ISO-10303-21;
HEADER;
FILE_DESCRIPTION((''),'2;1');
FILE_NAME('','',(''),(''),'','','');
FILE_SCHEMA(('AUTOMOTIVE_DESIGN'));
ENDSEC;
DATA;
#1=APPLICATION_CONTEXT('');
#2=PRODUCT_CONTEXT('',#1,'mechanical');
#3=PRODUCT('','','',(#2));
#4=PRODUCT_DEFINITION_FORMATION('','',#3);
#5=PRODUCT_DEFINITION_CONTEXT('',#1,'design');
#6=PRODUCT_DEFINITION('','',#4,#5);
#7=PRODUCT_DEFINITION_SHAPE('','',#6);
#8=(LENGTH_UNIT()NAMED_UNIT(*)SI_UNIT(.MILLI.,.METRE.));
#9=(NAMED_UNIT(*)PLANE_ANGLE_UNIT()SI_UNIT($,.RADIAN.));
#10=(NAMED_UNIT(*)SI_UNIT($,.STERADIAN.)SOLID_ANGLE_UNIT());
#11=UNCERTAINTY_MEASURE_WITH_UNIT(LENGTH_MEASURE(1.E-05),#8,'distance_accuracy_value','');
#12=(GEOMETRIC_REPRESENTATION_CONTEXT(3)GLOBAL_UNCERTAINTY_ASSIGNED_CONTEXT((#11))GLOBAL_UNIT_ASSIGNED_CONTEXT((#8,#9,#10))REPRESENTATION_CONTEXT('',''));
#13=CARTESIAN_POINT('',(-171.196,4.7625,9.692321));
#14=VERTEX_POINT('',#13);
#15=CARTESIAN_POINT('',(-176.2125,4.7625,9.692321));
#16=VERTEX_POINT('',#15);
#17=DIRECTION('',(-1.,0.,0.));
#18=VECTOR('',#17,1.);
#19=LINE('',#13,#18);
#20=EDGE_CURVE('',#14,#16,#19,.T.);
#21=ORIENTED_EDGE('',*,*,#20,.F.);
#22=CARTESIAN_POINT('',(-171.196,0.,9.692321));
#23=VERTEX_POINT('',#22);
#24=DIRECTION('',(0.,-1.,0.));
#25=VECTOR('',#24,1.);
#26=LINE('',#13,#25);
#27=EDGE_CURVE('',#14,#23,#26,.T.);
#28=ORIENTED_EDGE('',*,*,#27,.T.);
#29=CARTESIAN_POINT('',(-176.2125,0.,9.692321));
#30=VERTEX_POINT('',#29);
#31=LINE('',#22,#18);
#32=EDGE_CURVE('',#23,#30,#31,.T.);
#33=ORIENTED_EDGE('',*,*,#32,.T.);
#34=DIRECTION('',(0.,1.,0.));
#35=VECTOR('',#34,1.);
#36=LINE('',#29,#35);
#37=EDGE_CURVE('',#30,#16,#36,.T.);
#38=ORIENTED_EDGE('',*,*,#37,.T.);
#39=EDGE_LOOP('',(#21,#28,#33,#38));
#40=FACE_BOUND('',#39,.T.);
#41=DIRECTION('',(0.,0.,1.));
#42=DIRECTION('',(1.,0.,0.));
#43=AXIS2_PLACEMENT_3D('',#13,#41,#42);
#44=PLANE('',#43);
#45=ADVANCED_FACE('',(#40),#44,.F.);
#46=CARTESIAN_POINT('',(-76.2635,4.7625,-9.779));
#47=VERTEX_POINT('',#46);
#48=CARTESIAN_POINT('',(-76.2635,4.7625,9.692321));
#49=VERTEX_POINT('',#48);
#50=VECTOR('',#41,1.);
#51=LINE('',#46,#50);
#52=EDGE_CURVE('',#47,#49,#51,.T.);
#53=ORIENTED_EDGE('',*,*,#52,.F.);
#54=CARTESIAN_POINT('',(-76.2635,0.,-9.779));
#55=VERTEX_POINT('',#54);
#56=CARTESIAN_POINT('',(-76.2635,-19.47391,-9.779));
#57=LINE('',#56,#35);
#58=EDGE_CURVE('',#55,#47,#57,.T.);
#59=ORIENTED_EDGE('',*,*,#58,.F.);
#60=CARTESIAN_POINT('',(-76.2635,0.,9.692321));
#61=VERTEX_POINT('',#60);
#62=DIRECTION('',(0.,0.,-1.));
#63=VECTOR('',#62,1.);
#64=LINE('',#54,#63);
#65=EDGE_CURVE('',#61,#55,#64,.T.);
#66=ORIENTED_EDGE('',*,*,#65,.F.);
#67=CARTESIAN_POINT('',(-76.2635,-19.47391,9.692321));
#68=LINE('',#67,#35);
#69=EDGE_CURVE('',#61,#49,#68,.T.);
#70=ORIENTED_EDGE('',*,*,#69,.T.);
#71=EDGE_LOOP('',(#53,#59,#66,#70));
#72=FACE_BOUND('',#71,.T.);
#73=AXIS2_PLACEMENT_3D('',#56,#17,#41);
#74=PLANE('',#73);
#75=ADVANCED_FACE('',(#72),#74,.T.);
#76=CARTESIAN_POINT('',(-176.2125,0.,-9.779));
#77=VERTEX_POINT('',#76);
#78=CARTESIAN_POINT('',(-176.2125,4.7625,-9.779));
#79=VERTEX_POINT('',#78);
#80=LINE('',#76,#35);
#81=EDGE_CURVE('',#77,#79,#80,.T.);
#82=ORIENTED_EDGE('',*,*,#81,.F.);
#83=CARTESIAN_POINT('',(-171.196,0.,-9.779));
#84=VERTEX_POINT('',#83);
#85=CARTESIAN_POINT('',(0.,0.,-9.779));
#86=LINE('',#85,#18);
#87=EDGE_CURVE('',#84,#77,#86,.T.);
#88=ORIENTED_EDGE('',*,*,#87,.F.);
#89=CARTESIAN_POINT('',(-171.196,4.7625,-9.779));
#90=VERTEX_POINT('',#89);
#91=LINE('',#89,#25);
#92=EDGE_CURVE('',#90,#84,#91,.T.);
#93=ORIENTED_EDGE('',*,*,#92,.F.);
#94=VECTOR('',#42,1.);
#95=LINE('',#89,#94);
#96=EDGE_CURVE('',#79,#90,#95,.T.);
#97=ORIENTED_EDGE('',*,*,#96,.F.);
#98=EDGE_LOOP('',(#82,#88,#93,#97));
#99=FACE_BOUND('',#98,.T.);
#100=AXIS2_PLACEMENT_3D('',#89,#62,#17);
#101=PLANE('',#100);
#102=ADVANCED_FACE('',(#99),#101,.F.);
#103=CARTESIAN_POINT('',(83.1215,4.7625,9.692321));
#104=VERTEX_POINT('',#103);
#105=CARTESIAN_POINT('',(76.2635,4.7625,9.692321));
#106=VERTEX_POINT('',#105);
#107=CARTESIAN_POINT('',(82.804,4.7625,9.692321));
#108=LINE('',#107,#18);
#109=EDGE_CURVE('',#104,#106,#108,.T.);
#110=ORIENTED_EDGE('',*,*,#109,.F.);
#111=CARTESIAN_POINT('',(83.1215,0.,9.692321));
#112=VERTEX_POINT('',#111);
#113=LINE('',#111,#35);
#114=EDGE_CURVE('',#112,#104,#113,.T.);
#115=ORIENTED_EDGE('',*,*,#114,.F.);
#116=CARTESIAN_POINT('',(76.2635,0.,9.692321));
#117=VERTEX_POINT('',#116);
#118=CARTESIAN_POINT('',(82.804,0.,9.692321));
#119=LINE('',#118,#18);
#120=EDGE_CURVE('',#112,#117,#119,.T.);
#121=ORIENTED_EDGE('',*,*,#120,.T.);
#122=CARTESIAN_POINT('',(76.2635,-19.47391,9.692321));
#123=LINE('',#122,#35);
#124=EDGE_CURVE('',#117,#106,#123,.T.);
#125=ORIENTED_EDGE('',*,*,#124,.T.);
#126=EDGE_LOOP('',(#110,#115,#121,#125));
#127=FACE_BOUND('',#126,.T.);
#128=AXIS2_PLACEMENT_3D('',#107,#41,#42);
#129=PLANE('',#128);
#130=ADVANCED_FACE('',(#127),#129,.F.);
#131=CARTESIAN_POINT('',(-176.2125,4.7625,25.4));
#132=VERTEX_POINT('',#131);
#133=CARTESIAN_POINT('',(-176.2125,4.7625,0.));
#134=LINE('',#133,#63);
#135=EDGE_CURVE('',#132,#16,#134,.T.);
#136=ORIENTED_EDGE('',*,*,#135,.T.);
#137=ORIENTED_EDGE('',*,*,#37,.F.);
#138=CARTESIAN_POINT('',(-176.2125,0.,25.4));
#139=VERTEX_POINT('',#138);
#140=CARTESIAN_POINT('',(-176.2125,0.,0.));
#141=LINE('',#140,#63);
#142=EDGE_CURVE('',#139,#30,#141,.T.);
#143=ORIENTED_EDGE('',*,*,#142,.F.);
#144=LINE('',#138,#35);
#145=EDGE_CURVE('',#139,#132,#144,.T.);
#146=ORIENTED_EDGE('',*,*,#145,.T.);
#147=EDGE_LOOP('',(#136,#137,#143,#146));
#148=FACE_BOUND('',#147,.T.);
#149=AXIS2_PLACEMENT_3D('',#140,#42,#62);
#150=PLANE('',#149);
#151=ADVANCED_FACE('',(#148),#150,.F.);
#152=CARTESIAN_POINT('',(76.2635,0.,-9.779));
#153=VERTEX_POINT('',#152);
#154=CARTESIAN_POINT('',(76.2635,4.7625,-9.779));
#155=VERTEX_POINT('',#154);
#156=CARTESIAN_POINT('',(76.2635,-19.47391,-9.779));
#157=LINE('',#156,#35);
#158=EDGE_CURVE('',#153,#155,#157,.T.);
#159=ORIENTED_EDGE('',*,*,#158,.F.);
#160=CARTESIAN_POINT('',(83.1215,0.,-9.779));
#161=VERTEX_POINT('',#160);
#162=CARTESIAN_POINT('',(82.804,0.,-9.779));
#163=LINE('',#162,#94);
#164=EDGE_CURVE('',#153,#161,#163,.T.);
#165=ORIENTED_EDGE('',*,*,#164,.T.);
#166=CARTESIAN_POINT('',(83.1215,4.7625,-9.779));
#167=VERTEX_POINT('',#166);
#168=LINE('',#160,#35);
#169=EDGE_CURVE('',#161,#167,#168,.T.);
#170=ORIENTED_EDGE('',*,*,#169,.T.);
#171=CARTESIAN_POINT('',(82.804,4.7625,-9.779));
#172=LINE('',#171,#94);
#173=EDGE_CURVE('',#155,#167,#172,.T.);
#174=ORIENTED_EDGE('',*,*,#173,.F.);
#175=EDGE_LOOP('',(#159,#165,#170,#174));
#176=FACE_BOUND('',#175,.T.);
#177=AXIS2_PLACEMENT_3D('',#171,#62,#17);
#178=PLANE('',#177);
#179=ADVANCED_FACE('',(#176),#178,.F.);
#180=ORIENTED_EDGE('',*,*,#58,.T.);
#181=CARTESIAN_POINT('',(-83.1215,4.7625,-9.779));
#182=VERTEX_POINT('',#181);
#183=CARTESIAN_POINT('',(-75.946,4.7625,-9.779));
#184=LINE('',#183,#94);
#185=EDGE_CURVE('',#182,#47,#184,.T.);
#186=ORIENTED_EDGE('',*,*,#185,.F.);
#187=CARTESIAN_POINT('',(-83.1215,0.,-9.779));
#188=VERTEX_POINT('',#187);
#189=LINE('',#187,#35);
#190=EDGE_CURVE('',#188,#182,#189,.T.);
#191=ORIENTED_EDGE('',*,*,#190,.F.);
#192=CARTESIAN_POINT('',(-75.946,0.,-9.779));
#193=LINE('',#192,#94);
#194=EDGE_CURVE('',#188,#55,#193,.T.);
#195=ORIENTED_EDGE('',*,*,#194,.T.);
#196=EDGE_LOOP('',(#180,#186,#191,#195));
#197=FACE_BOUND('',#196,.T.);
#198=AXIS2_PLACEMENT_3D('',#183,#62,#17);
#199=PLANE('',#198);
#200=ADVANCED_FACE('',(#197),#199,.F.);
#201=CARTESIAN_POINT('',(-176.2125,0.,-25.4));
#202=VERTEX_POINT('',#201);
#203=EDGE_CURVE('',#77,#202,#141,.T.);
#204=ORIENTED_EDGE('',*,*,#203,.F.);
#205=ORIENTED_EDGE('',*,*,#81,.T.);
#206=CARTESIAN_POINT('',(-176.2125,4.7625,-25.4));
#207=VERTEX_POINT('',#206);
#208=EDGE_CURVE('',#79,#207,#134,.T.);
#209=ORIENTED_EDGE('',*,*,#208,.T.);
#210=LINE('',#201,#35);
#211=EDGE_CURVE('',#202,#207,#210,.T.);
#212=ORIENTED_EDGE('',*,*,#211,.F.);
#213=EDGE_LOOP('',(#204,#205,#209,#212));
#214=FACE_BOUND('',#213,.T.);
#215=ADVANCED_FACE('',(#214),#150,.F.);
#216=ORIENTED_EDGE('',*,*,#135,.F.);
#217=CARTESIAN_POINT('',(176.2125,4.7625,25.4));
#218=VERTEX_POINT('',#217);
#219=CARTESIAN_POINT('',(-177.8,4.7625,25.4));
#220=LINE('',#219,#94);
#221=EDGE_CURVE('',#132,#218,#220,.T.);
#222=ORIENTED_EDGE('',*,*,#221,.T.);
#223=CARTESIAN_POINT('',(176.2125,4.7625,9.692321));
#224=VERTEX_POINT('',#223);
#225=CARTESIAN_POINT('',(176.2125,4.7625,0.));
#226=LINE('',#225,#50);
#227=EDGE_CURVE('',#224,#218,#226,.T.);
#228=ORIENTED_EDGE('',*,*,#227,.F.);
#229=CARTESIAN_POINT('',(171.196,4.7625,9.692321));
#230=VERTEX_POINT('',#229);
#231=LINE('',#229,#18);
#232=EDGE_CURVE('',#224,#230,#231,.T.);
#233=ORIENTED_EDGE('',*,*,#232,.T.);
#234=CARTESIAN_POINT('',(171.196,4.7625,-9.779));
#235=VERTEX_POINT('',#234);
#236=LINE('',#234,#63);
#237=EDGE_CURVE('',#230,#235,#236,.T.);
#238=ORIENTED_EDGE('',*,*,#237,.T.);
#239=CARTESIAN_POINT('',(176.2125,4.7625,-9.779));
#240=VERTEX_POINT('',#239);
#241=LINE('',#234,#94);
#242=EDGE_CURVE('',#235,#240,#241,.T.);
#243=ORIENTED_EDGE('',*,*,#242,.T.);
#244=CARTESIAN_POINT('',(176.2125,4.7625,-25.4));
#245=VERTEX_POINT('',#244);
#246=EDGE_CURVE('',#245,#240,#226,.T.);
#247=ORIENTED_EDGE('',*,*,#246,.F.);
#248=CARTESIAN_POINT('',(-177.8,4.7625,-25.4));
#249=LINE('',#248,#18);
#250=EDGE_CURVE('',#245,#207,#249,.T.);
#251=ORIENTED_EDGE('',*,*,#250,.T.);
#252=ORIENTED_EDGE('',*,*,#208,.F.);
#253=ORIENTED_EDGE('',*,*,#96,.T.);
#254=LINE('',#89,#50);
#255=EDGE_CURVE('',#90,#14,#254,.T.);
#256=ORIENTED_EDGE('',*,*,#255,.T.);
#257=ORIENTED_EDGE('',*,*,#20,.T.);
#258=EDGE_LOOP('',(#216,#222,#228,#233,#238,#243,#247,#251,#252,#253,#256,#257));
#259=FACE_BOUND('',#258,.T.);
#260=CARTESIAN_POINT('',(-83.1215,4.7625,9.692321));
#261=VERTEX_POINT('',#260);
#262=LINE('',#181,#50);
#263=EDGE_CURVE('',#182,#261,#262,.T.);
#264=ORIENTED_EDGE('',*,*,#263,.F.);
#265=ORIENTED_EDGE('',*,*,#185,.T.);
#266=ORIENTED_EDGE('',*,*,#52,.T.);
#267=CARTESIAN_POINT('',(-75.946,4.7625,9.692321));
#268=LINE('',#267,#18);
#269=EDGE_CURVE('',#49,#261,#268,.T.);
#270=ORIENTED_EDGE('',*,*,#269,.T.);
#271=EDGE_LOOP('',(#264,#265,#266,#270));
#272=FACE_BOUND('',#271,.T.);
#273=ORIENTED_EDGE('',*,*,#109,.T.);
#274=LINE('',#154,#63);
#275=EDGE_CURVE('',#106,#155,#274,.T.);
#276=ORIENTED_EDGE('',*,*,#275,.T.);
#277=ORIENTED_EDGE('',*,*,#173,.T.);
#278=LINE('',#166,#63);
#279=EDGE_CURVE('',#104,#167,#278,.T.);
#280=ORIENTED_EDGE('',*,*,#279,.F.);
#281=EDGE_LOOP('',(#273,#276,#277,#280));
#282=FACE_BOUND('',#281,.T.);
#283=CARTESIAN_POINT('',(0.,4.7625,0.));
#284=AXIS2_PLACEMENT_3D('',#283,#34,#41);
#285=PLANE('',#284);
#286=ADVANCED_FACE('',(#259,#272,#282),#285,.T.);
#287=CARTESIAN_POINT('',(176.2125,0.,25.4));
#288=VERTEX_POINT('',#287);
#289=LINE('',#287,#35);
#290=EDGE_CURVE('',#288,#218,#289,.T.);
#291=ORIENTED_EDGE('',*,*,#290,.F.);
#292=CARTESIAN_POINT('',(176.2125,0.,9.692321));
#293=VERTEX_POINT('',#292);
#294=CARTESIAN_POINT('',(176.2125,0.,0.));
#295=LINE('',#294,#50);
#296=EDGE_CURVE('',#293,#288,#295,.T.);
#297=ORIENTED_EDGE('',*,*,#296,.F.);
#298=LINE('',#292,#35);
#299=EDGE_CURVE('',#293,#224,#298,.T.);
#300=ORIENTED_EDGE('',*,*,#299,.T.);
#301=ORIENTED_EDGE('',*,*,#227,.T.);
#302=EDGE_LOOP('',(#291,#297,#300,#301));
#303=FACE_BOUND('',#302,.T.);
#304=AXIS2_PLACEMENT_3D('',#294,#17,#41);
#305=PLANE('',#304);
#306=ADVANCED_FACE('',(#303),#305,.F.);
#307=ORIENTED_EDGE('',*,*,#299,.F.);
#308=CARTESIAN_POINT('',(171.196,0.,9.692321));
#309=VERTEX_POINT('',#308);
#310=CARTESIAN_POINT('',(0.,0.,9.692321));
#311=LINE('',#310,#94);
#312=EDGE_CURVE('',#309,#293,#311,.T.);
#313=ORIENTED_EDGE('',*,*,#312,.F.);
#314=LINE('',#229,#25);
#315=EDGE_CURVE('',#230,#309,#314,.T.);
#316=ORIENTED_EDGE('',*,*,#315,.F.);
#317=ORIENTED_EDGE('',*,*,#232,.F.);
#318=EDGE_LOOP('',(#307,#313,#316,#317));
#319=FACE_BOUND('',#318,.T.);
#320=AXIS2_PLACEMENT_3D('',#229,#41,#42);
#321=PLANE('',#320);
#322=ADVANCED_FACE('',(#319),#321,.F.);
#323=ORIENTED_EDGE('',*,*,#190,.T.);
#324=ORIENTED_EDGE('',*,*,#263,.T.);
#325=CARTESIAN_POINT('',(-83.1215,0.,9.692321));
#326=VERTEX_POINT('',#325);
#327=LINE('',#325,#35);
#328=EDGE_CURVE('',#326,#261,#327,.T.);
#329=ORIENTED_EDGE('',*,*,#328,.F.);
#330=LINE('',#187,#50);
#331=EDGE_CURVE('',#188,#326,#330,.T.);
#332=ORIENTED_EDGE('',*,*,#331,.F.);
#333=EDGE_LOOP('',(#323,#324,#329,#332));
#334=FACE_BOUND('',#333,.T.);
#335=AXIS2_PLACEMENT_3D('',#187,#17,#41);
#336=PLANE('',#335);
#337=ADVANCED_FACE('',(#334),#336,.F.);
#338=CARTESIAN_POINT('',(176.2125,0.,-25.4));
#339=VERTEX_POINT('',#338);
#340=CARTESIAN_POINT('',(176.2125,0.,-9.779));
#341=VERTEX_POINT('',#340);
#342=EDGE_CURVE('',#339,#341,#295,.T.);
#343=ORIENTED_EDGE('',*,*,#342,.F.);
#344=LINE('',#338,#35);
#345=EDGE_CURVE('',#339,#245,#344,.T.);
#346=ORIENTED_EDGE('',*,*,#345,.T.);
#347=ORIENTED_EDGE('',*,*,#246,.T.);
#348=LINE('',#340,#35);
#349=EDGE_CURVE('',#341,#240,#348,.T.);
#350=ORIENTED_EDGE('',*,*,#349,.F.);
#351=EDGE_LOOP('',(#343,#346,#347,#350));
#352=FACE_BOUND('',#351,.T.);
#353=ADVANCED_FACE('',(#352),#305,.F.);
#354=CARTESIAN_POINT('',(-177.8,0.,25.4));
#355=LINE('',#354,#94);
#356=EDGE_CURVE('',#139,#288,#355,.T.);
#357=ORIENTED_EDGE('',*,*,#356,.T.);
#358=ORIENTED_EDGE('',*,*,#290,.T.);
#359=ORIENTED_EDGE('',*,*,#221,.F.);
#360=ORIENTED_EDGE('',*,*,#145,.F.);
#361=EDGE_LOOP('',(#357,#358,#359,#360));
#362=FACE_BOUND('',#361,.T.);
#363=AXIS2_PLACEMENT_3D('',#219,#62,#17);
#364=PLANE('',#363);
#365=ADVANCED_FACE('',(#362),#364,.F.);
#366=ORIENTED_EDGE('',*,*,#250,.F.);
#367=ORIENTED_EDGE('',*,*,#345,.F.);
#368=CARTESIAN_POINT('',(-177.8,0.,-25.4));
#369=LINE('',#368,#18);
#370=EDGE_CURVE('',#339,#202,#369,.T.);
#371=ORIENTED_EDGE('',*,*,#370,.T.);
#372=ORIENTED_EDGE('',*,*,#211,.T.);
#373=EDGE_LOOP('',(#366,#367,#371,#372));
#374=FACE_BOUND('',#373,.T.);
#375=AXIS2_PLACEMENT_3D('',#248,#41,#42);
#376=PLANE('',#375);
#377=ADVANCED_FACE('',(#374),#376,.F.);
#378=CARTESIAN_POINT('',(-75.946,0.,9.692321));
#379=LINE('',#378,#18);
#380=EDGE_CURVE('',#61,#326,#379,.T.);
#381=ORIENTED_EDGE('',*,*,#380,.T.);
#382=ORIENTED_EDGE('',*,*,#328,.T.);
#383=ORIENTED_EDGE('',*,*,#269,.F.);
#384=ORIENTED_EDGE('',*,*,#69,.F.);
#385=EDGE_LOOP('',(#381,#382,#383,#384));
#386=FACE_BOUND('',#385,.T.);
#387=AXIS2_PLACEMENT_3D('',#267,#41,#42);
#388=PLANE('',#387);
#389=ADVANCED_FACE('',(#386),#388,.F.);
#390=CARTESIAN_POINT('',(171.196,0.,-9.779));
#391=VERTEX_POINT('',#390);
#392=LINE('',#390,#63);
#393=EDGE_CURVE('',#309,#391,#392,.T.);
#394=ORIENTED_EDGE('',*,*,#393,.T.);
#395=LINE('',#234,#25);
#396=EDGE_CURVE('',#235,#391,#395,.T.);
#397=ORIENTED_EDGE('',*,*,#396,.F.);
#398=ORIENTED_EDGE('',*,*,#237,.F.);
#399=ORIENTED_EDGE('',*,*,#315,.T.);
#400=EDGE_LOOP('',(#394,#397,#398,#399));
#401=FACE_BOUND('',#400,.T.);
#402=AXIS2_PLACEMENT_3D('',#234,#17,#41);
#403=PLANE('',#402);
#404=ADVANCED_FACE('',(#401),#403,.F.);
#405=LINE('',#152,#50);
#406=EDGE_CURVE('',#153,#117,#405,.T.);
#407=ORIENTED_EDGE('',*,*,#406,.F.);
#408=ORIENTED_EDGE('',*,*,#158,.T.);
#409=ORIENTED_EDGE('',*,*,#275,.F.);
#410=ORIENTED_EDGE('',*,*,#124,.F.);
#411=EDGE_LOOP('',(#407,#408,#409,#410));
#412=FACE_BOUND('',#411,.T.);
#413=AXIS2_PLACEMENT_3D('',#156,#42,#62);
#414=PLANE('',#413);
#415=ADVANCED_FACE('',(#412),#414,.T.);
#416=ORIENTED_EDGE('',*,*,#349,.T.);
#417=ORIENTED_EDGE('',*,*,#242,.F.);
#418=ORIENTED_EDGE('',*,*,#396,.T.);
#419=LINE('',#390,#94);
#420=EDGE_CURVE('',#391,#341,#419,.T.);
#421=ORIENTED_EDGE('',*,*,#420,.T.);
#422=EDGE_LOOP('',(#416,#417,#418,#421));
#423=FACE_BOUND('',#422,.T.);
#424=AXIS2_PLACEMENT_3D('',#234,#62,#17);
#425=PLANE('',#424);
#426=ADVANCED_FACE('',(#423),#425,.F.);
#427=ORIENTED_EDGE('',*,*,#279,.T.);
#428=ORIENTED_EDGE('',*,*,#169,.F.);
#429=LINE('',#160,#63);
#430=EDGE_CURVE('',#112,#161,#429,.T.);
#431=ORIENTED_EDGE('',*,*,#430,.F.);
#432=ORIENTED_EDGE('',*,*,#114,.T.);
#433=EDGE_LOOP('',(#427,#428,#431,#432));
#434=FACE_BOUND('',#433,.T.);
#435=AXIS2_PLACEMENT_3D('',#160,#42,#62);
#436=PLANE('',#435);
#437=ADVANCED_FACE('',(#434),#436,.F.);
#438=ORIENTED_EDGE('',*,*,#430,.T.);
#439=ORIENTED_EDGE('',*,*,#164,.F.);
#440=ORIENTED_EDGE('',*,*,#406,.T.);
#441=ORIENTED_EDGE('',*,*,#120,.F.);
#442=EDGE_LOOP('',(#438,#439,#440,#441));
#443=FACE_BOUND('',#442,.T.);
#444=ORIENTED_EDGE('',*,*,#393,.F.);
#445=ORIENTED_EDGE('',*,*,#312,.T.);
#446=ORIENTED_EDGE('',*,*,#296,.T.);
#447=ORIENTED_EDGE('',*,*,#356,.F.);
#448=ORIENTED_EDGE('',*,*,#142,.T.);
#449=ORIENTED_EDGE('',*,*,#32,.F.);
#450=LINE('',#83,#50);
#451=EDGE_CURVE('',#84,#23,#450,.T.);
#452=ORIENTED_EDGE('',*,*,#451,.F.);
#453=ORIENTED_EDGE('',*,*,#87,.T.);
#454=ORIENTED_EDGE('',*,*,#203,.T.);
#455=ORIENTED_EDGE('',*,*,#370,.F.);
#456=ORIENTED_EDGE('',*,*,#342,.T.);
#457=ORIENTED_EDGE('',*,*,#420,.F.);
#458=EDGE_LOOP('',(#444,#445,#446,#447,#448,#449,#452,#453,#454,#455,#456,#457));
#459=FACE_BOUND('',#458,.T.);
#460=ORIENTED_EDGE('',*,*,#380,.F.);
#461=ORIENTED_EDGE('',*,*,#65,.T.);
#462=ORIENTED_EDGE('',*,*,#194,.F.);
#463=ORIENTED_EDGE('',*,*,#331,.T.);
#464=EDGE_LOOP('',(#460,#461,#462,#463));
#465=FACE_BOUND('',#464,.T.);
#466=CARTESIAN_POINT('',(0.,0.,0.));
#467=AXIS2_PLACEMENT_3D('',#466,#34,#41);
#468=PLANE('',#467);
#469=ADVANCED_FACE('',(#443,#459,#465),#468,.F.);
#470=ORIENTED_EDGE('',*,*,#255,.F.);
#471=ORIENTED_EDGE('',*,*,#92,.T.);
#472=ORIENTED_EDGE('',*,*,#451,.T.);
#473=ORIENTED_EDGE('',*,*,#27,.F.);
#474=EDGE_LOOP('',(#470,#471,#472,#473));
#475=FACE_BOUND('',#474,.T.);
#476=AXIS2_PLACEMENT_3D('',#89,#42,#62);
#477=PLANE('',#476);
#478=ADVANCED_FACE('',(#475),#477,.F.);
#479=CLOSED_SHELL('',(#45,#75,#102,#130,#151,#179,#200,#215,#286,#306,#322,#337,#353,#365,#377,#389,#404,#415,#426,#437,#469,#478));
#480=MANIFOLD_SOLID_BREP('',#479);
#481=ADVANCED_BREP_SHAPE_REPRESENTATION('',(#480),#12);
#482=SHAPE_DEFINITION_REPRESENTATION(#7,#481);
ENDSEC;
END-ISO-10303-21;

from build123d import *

# Parameters (mm, degrees)
SKETCH1_W           = 355.6
SKETCH1_H           = 50.8
BOSS_EXTRUDE1_DEPTH = 4.7625
SKETCH2_W           = 6.858
SKETCH2_H           = 19.471321321
SKETCH2_W_2         = 6.35
SKETCH2_H_2         = 18.963321321
CUT_EXTRUDE1_DEPTH  = 180.668253752
SKETCH3_W           = 1.5875
SKETCH3_H           = 15.707678679
SKETCH3_H_2         = 15.621
CUT_EXTRUDE2_DEPTH  = 180.668253752
SKETCH4_W           = 0.3175
SKETCH4_H           = 19.471321321
BOSS_EXTRUDE2_DEPTH = 4.7625
SKETCH5_W           = 0.3175
SKETCH5_H           = 19.471321321
CUT_EXTRUDE4_DEPTH  = 179.097407512


with BuildPart() as part:
    # Sketch1 → Boss-Extrude1 (new body)
    with BuildSketch(Plane(origin=(0, 0, 0), x_dir=(1, 0, 0), z_dir=(0, 1, 0))):
        Rectangle(SKETCH1_W, SKETCH1_H)
    extrude(amount=BOSS_EXTRUDE1_DEPTH)

    # Sketch2 → Cut-Extrude1 (cut, through all)
    with BuildSketch(Plane(origin=(0, 0, 0), x_dir=(-1, 0, 0), z_dir=(0, -1, 0))):
        with Locations((174.625, 0.043339339)):
            Rectangle(SKETCH2_W, SKETCH2_H)
        with Locations((174.625, 0.04333934)):
            Rectangle(SKETCH2_W_2, SKETCH2_H_2, mode=Mode.SUBTRACT)
        with Locations((79.375, 0.043339339)):
            Rectangle(SKETCH2_W, SKETCH2_H)
        with Locations((79.375, 0.04333934)):
            Rectangle(SKETCH2_W_2, SKETCH2_H_2, mode=Mode.SUBTRACT)
        with Locations((-79.375, 0.043339339)):
            Rectangle(SKETCH2_W, SKETCH2_H)
        with Locations((-79.375, 0.04333934)):
            Rectangle(SKETCH2_W_2, SKETCH2_H_2, mode=Mode.SUBTRACT)
        with Locations((-174.625, 0.043339339)):
            Rectangle(SKETCH2_W, SKETCH2_H)
        with Locations((-174.625, 0.04333934)):
            Rectangle(SKETCH2_W_2, SKETCH2_H_2, mode=Mode.SUBTRACT)
    extrude(amount=-CUT_EXTRUDE1_DEPTH, mode=Mode.SUBTRACT)


with BuildPart() as body_2:
    # of the pieces the cut leaves, the one that is kept (cut_extrude1_keep)
    add(part.part.solids().sort_by_distance((-177.8, 0, -25.4))[0])

    # Sketch3 → Cut-Extrude2 (cut, through all)
    with BuildSketch(Plane(origin=(0, 4.7625, 0), x_dir=(1, 0, 0), z_dir=(0, 1, 0))):
        with Locations((-177.00625, -17.546160661)):
            Rectangle(SKETCH3_W, SKETCH3_H)
        with Locations((-177.00625, 17.5895)):
            Rectangle(SKETCH3_W, SKETCH3_H_2)
        with Locations((177.00625, -17.546160661)):
            Rectangle(SKETCH3_W, SKETCH3_H)
        with Locations((177.00625, 17.5895)):
            Rectangle(SKETCH3_W, SKETCH3_H_2)
    extrude(amount=-CUT_EXTRUDE2_DEPTH, mode=Mode.SUBTRACT)

    # Sketch4 → Boss-Extrude2 (add)
    with BuildSketch(Plane(origin=(0, 4.7625, 0), x_dir=(1, 0, 0), z_dir=(0, 1, 0))):
        with Locations((-76.10475, 0.043339339)):
            Rectangle(SKETCH4_W, SKETCH4_H)
        with Locations((76.10475, 0.043339339)):
            Rectangle(SKETCH4_W, SKETCH4_H)
    extrude(amount=-BOSS_EXTRUDE2_DEPTH)

    # Sketch5 → Cut-Extrude4 (cut, through all)
    with BuildSketch(Plane(origin=(0, 4.7625, 0), x_dir=(1, 0, 0), z_dir=(0, 1, 0))):
        with Locations((-82.96275, 0.043339339)):
            Rectangle(SKETCH5_W, SKETCH5_H)
        with Locations((82.96275, 0.043339339)):
            Rectangle(SKETCH5_W, SKETCH5_H)
    extrude(amount=-CUT_EXTRUDE4_DEPTH, mode=Mode.SUBTRACT)


solid = body_2.part
